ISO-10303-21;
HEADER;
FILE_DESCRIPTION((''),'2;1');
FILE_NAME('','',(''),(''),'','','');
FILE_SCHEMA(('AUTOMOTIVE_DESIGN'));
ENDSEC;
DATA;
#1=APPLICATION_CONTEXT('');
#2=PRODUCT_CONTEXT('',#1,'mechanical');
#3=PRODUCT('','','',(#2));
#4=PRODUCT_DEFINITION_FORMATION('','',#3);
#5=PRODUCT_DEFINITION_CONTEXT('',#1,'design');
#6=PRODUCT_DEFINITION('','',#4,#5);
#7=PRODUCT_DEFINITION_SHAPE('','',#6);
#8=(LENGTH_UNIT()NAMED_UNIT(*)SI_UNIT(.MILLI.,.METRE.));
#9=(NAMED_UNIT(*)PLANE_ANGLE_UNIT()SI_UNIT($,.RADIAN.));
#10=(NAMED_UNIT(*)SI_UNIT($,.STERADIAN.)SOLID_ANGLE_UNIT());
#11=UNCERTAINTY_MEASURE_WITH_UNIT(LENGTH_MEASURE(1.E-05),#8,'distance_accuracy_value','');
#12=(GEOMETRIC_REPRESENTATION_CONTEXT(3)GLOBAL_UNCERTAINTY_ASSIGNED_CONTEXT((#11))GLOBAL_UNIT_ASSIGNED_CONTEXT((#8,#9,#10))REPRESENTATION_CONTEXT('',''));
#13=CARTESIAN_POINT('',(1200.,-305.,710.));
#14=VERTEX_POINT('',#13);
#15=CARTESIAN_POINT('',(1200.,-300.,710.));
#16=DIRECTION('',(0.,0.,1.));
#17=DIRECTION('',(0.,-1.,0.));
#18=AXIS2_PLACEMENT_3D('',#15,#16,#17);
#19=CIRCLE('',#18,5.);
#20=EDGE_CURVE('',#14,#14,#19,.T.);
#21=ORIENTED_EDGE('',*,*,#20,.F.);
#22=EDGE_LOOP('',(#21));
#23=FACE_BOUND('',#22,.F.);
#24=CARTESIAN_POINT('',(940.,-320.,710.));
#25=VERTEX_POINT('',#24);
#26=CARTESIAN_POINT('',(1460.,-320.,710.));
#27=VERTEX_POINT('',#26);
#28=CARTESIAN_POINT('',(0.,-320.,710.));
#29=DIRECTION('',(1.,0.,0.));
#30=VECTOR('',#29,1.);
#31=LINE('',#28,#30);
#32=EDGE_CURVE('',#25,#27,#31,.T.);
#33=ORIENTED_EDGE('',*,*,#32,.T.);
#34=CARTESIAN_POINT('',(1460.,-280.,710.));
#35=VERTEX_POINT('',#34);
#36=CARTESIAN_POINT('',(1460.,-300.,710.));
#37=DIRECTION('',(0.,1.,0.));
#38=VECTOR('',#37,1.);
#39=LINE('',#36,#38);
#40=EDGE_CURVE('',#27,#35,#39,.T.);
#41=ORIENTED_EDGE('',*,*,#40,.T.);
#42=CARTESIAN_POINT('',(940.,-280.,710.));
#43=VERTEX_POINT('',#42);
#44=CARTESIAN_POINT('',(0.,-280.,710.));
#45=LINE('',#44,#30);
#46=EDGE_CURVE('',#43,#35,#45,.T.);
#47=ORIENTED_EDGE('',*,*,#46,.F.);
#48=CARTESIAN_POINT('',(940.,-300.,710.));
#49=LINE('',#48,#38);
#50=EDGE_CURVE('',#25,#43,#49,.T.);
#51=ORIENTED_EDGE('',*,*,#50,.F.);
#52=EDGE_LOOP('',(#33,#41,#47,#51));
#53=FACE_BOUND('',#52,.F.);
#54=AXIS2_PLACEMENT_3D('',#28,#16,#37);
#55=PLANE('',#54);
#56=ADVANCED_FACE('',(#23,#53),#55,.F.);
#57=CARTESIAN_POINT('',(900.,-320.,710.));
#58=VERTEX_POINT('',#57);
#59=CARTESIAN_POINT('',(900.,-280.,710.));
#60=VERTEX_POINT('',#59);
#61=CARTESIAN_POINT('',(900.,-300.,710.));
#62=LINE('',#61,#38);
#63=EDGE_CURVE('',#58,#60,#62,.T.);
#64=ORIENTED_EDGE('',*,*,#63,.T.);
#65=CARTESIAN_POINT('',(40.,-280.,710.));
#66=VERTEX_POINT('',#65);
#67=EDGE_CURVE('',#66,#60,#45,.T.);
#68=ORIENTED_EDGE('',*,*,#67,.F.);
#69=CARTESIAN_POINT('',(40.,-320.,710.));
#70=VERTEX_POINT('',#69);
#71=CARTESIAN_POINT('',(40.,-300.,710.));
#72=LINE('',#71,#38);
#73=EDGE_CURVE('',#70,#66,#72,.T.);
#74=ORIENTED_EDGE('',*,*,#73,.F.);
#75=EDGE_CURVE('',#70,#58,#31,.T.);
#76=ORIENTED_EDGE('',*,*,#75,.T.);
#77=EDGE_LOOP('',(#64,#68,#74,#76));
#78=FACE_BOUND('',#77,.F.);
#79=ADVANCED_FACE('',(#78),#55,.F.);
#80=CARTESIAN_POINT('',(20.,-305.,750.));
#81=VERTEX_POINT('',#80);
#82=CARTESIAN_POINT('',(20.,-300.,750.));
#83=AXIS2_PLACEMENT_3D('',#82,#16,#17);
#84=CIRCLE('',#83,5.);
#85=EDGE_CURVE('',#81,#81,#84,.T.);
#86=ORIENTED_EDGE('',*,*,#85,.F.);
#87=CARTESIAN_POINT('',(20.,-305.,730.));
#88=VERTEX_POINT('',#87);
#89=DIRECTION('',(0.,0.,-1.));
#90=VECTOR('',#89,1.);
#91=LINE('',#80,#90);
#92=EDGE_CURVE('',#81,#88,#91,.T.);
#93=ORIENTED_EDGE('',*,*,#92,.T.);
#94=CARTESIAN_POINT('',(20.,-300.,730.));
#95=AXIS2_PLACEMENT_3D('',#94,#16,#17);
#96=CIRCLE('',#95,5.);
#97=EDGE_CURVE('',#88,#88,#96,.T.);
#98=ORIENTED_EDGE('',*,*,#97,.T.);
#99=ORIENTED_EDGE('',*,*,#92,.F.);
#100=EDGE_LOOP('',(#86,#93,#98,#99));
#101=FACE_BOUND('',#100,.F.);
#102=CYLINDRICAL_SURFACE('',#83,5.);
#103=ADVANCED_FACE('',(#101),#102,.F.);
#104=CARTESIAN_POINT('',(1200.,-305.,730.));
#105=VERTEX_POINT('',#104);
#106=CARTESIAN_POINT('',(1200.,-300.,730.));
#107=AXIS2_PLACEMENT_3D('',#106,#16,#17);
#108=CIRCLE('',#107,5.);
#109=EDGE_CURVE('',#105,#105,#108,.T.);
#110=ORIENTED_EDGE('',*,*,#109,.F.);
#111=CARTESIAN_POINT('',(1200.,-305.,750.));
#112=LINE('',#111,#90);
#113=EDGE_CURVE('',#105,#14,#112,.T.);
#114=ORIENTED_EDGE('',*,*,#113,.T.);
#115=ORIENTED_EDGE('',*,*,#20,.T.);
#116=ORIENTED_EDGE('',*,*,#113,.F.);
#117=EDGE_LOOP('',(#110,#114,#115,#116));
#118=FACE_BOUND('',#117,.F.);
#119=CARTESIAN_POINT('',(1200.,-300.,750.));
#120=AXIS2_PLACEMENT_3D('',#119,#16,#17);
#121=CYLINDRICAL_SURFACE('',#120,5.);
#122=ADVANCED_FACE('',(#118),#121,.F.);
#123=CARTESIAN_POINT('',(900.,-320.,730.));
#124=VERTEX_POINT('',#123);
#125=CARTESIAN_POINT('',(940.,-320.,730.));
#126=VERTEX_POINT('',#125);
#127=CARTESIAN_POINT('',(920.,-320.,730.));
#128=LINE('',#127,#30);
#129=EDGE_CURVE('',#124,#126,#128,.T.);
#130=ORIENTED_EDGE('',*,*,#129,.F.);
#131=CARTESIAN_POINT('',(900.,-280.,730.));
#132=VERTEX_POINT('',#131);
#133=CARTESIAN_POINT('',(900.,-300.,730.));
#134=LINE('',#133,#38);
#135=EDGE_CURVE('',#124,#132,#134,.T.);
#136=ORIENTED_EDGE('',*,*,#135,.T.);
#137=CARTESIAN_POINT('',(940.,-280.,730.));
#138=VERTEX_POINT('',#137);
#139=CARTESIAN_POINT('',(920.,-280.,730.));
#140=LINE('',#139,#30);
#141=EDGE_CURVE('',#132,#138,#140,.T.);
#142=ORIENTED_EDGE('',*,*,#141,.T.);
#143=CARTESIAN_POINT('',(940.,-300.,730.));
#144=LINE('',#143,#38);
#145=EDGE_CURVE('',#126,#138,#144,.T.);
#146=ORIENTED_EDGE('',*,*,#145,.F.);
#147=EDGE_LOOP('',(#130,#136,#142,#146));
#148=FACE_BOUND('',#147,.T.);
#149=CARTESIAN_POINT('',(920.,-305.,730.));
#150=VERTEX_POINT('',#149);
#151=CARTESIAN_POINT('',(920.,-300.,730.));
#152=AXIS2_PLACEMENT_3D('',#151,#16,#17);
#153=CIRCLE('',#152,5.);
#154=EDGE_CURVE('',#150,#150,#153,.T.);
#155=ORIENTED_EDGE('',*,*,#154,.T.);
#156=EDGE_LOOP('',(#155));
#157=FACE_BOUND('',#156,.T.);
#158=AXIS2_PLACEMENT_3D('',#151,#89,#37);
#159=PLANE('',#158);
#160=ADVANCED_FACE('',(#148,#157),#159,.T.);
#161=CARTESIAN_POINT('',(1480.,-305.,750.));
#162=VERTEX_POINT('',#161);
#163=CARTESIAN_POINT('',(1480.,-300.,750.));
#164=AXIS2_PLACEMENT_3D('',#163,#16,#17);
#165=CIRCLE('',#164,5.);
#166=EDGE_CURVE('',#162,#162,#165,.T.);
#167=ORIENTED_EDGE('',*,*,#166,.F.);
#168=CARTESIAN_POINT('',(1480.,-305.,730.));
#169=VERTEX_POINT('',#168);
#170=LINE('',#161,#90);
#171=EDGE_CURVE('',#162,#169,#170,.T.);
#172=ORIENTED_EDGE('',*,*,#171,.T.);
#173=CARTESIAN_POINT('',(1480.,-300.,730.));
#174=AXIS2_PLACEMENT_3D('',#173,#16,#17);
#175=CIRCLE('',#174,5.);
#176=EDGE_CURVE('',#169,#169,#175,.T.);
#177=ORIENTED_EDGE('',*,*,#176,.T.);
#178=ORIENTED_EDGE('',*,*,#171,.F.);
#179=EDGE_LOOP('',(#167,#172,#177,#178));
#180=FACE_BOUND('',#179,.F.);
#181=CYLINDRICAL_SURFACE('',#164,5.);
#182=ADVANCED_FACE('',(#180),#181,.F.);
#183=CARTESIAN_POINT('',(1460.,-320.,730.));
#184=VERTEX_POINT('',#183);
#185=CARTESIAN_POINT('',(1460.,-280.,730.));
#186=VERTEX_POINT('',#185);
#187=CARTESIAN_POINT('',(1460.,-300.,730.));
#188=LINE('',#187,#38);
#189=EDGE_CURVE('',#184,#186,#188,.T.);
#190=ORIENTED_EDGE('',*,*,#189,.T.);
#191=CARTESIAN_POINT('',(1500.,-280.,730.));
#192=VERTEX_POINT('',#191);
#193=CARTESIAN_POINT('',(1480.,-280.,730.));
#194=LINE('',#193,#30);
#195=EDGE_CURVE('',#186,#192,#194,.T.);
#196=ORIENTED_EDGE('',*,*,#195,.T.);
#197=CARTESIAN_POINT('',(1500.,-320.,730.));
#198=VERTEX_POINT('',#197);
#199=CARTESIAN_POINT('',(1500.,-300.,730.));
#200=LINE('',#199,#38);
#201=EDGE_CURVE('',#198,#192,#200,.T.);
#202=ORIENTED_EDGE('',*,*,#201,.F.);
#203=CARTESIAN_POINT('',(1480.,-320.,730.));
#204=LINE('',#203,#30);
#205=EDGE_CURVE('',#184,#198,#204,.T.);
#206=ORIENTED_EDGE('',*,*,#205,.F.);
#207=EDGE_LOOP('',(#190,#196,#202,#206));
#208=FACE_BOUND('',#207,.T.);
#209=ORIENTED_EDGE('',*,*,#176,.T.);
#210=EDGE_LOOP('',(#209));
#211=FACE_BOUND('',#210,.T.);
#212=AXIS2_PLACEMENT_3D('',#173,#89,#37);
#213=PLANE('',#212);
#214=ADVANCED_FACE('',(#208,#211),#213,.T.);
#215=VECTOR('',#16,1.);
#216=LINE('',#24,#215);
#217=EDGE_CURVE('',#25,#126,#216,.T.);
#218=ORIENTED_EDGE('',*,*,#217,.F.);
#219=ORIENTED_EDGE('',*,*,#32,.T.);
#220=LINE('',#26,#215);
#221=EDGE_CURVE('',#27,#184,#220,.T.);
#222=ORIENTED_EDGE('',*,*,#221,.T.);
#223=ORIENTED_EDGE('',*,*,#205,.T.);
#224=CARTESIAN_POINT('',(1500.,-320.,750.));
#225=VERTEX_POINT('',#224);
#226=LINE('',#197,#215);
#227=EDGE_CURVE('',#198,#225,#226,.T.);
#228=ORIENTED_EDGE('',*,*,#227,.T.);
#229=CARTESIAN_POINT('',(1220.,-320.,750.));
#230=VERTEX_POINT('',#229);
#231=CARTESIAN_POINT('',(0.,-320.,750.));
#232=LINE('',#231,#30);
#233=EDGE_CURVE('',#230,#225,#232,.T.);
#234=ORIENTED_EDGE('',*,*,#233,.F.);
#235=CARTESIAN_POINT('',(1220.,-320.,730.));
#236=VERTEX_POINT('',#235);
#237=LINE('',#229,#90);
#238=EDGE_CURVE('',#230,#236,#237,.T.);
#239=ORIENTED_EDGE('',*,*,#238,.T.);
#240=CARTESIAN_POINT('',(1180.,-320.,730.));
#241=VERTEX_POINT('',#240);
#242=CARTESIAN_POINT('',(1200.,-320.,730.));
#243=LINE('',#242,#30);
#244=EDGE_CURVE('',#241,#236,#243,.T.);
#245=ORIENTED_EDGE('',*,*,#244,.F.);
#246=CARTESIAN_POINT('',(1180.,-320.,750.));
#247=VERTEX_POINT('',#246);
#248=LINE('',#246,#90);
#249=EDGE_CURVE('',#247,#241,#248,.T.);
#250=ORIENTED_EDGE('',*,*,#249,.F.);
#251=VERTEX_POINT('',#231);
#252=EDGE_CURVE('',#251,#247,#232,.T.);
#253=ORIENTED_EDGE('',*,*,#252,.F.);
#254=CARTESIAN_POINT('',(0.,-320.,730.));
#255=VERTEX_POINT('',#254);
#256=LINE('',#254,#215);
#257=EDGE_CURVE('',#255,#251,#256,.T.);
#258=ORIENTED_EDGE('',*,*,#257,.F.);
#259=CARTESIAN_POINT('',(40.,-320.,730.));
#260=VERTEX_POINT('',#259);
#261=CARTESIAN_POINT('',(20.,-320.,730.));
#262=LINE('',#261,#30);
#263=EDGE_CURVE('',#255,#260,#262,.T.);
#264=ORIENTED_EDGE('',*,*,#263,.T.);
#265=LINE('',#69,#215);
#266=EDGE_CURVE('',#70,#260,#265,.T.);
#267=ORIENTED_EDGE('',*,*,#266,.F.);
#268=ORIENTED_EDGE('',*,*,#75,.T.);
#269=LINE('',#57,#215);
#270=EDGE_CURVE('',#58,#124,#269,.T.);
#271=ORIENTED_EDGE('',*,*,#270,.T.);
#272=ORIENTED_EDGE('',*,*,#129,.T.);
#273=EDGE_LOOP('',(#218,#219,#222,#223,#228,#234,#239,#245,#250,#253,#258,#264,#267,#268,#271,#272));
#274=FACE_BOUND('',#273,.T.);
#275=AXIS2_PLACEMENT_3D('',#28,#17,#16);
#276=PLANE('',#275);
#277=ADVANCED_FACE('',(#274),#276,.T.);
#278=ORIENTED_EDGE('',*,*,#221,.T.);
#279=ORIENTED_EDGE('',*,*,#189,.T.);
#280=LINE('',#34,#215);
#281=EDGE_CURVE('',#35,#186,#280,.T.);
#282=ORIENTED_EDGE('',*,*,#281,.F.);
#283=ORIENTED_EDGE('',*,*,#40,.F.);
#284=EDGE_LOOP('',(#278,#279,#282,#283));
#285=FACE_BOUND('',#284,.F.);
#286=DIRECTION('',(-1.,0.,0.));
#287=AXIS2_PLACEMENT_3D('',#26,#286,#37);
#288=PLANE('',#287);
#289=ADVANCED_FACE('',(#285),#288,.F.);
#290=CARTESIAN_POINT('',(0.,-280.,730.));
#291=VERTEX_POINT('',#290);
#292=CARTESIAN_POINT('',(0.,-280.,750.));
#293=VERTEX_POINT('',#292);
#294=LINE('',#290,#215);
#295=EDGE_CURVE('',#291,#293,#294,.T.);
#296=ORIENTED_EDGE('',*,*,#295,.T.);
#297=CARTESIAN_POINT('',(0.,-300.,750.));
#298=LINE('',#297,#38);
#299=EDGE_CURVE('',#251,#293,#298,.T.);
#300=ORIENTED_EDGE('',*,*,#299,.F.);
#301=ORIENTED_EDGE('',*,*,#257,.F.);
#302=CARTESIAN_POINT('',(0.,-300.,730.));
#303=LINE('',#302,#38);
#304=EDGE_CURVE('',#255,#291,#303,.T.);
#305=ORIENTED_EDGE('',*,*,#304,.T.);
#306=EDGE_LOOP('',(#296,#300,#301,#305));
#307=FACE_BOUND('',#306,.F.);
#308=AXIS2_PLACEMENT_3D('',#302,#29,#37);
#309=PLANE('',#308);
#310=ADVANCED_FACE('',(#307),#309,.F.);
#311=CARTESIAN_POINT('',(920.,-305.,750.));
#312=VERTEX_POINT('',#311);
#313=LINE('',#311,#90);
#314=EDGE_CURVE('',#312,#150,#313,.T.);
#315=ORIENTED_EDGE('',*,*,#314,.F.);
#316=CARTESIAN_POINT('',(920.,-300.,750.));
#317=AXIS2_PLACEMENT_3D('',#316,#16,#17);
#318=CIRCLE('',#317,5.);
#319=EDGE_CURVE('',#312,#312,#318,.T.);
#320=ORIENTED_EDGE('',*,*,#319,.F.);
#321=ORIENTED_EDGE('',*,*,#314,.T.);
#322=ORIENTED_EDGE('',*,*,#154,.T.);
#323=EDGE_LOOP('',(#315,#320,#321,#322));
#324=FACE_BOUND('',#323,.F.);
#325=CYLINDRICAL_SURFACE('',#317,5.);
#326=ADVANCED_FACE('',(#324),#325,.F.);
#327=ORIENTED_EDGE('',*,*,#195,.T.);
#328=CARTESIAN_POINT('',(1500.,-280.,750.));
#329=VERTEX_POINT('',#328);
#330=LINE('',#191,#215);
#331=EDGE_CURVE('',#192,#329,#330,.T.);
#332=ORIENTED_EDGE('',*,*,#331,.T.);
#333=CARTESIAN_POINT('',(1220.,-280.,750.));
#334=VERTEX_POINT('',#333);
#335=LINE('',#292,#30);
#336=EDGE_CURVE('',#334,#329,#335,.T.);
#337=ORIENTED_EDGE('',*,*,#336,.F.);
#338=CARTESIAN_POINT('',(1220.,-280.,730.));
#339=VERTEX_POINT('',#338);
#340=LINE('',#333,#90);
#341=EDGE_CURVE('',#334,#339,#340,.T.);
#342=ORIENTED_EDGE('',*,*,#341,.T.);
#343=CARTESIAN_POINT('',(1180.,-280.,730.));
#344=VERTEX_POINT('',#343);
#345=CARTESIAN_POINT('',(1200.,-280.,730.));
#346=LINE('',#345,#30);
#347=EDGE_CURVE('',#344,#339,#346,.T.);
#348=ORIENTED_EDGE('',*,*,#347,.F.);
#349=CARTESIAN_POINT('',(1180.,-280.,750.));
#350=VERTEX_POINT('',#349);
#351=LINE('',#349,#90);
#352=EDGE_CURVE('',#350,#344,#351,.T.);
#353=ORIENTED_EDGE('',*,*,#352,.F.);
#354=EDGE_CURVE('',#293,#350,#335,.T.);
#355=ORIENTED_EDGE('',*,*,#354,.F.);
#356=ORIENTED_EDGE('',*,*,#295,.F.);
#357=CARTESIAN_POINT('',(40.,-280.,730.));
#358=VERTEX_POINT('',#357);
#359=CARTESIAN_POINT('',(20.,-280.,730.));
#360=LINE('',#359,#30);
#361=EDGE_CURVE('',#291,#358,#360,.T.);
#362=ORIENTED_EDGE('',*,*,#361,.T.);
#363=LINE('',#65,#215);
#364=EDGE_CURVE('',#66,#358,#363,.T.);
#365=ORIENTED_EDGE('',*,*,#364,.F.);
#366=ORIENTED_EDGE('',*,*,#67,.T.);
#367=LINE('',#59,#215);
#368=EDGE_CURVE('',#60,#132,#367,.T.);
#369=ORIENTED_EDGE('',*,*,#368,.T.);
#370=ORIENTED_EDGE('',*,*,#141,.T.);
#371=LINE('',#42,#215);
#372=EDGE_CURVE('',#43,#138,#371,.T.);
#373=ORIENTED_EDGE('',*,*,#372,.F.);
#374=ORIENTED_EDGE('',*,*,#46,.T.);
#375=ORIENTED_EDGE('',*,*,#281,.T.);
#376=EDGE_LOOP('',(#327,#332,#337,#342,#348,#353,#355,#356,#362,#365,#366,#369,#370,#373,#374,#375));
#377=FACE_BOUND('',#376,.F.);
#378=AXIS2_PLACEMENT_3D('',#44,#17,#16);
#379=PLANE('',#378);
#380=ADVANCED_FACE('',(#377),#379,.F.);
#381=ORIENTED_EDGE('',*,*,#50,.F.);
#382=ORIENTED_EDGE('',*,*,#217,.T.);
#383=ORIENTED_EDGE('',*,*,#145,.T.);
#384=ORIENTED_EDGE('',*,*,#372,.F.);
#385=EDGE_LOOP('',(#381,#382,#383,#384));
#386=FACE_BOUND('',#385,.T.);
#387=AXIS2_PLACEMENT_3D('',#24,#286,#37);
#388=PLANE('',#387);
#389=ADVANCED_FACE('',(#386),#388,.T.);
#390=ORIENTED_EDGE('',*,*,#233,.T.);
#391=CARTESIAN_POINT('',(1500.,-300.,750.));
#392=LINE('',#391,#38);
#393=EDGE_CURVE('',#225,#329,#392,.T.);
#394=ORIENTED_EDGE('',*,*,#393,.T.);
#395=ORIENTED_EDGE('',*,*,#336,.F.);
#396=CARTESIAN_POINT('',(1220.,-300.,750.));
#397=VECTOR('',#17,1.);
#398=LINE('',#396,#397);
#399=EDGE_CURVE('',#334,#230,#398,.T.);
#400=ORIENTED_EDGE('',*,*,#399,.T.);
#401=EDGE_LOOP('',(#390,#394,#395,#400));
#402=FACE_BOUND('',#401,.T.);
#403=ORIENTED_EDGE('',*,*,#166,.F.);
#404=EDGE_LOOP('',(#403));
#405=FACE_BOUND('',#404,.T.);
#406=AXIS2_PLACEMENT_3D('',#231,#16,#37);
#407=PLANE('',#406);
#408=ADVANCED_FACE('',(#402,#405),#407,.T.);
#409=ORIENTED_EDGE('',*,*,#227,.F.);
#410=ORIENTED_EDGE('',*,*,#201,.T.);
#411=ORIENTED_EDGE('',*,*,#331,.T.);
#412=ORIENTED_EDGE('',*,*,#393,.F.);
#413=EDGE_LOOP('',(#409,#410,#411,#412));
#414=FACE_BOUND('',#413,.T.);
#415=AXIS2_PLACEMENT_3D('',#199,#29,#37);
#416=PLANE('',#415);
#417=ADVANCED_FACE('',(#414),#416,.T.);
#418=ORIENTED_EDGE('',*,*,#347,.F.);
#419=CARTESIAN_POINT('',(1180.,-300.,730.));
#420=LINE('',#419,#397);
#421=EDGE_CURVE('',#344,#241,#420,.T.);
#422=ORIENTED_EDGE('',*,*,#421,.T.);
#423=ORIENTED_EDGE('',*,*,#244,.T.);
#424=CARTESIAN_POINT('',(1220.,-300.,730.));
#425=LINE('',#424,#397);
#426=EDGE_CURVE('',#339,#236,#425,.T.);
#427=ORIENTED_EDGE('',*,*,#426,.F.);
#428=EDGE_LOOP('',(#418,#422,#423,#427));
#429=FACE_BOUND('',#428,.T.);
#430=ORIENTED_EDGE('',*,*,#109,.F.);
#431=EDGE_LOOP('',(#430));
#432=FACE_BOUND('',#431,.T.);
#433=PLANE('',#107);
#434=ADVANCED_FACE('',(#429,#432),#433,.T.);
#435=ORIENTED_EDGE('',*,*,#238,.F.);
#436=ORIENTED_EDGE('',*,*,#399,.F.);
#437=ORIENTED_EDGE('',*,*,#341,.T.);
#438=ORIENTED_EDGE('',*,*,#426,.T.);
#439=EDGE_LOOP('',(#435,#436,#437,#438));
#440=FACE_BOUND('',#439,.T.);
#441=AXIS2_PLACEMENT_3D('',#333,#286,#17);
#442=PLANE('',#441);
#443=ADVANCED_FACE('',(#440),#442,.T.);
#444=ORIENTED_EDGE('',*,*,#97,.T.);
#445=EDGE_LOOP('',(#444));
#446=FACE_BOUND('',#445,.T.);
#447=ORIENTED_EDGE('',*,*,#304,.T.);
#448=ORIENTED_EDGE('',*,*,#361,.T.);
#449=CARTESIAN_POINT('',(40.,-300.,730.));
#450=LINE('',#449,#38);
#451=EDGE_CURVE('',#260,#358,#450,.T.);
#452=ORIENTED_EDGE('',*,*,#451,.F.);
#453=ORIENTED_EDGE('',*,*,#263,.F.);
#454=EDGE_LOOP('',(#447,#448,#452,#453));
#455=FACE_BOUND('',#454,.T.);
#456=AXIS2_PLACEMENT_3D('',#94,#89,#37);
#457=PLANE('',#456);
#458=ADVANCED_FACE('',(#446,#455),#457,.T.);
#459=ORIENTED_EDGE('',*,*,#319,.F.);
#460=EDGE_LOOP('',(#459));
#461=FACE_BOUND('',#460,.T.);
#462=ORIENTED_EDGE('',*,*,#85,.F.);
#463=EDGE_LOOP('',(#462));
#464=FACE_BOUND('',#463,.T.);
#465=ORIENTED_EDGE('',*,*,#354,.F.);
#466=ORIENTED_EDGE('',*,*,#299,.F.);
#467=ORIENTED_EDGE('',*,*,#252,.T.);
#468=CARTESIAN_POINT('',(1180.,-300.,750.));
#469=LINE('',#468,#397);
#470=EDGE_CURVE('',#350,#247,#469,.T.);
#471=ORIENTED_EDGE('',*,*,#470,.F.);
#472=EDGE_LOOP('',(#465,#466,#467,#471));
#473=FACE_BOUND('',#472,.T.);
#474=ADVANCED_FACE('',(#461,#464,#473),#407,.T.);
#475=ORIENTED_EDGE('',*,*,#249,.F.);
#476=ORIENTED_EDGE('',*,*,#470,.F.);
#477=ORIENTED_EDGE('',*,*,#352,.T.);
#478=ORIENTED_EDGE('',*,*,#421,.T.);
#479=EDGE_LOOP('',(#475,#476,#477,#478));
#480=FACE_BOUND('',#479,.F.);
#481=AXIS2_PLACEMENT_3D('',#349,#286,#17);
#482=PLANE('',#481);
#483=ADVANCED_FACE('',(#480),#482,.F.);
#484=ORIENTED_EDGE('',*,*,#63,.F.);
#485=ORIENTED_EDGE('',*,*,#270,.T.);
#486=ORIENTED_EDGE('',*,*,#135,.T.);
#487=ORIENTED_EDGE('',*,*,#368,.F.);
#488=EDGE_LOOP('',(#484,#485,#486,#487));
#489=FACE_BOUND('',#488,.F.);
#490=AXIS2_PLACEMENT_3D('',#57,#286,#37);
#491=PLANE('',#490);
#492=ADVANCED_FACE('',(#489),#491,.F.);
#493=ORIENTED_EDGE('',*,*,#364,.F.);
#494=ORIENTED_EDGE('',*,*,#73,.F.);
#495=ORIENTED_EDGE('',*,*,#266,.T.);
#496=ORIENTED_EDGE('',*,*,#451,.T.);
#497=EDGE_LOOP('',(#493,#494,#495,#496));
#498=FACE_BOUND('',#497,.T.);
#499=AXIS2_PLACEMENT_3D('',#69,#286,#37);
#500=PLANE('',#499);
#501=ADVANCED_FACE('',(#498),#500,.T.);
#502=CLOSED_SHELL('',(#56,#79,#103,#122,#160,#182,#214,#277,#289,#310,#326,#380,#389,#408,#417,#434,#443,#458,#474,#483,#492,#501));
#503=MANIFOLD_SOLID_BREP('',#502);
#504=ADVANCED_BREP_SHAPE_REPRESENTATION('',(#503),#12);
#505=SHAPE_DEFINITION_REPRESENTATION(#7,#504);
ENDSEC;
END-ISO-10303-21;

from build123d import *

# Parameters (mm, degrees)
SKETCH030_W     = 40
SKETCH030_H     = 40
PAD022_DEPTH    = 1500
SKETCH031_W     = 40
SKETCH031_H     = 40
POCKET008_DEPTH = 20
SKETCH032_W     = 40
SKETCH032_H     = 40
POCKET009_DEPTH = 20
SKETCH059_R     = 5
POCKET014_DEPTH = 40.001


with BuildPart() as part:
    # Sketch030 → Pad022 (new body)
    with BuildSketch(Plane.YZ):
        with Locations((-300, 280)):
            Rectangle(SKETCH030_W, SKETCH030_H)
    extrude(amount=PAD022_DEPTH)

    # Sketch031 (on Face3 of Pad022) → Pocket008 (cut)
    with BuildSketch(Plane.YX.offset(-260)):
        with Locations((-300, 1480)):
            Rectangle(SKETCH031_W, SKETCH031_H)
        with Locations((-300, 920)):
            Rectangle(SKETCH031_W, SKETCH031_H)
        with Locations((-300, 20)):
            Rectangle(SKETCH031_W, SKETCH031_H)
    extrude(amount=-POCKET008_DEPTH, mode=Mode.SUBTRACT)

    # Sketch032 (on Face1 of Pocket008) → Pocket009 (cut)
    with BuildSketch(Plane(origin=(0, 0, 300), x_dir=(0, -1, 0), z_dir=(0, 0, 1))):
        with Locations((300, 1200)):
            Rectangle(SKETCH032_W, SKETCH032_H)
    extrude(amount=-POCKET009_DEPTH, mode=Mode.SUBTRACT)

    # Sketch059 (on Face1 of Pocket009) → Pocket014 (cut, through all)
    with BuildSketch(Plane(origin=(0, 0, 300), x_dir=(0, -1, 0), z_dir=(0, 0, 1))):
        with Locations((300, 20)):
            Circle(SKETCH059_R)
        with Locations((300, 920)):
            Circle(SKETCH059_R)
        with Locations((300, 1480)):
            Circle(SKETCH059_R)
        with Locations((300, 1200)):
            Circle(SKETCH059_R)
    extrude(amount=-POCKET014_DEPTH, mode=Mode.SUBTRACT)


with BuildPart() as part_1:
    # Clone010 placement: moved
    add(part.part.moved(Location((0, 0, 450))))


solid = part_1.part
